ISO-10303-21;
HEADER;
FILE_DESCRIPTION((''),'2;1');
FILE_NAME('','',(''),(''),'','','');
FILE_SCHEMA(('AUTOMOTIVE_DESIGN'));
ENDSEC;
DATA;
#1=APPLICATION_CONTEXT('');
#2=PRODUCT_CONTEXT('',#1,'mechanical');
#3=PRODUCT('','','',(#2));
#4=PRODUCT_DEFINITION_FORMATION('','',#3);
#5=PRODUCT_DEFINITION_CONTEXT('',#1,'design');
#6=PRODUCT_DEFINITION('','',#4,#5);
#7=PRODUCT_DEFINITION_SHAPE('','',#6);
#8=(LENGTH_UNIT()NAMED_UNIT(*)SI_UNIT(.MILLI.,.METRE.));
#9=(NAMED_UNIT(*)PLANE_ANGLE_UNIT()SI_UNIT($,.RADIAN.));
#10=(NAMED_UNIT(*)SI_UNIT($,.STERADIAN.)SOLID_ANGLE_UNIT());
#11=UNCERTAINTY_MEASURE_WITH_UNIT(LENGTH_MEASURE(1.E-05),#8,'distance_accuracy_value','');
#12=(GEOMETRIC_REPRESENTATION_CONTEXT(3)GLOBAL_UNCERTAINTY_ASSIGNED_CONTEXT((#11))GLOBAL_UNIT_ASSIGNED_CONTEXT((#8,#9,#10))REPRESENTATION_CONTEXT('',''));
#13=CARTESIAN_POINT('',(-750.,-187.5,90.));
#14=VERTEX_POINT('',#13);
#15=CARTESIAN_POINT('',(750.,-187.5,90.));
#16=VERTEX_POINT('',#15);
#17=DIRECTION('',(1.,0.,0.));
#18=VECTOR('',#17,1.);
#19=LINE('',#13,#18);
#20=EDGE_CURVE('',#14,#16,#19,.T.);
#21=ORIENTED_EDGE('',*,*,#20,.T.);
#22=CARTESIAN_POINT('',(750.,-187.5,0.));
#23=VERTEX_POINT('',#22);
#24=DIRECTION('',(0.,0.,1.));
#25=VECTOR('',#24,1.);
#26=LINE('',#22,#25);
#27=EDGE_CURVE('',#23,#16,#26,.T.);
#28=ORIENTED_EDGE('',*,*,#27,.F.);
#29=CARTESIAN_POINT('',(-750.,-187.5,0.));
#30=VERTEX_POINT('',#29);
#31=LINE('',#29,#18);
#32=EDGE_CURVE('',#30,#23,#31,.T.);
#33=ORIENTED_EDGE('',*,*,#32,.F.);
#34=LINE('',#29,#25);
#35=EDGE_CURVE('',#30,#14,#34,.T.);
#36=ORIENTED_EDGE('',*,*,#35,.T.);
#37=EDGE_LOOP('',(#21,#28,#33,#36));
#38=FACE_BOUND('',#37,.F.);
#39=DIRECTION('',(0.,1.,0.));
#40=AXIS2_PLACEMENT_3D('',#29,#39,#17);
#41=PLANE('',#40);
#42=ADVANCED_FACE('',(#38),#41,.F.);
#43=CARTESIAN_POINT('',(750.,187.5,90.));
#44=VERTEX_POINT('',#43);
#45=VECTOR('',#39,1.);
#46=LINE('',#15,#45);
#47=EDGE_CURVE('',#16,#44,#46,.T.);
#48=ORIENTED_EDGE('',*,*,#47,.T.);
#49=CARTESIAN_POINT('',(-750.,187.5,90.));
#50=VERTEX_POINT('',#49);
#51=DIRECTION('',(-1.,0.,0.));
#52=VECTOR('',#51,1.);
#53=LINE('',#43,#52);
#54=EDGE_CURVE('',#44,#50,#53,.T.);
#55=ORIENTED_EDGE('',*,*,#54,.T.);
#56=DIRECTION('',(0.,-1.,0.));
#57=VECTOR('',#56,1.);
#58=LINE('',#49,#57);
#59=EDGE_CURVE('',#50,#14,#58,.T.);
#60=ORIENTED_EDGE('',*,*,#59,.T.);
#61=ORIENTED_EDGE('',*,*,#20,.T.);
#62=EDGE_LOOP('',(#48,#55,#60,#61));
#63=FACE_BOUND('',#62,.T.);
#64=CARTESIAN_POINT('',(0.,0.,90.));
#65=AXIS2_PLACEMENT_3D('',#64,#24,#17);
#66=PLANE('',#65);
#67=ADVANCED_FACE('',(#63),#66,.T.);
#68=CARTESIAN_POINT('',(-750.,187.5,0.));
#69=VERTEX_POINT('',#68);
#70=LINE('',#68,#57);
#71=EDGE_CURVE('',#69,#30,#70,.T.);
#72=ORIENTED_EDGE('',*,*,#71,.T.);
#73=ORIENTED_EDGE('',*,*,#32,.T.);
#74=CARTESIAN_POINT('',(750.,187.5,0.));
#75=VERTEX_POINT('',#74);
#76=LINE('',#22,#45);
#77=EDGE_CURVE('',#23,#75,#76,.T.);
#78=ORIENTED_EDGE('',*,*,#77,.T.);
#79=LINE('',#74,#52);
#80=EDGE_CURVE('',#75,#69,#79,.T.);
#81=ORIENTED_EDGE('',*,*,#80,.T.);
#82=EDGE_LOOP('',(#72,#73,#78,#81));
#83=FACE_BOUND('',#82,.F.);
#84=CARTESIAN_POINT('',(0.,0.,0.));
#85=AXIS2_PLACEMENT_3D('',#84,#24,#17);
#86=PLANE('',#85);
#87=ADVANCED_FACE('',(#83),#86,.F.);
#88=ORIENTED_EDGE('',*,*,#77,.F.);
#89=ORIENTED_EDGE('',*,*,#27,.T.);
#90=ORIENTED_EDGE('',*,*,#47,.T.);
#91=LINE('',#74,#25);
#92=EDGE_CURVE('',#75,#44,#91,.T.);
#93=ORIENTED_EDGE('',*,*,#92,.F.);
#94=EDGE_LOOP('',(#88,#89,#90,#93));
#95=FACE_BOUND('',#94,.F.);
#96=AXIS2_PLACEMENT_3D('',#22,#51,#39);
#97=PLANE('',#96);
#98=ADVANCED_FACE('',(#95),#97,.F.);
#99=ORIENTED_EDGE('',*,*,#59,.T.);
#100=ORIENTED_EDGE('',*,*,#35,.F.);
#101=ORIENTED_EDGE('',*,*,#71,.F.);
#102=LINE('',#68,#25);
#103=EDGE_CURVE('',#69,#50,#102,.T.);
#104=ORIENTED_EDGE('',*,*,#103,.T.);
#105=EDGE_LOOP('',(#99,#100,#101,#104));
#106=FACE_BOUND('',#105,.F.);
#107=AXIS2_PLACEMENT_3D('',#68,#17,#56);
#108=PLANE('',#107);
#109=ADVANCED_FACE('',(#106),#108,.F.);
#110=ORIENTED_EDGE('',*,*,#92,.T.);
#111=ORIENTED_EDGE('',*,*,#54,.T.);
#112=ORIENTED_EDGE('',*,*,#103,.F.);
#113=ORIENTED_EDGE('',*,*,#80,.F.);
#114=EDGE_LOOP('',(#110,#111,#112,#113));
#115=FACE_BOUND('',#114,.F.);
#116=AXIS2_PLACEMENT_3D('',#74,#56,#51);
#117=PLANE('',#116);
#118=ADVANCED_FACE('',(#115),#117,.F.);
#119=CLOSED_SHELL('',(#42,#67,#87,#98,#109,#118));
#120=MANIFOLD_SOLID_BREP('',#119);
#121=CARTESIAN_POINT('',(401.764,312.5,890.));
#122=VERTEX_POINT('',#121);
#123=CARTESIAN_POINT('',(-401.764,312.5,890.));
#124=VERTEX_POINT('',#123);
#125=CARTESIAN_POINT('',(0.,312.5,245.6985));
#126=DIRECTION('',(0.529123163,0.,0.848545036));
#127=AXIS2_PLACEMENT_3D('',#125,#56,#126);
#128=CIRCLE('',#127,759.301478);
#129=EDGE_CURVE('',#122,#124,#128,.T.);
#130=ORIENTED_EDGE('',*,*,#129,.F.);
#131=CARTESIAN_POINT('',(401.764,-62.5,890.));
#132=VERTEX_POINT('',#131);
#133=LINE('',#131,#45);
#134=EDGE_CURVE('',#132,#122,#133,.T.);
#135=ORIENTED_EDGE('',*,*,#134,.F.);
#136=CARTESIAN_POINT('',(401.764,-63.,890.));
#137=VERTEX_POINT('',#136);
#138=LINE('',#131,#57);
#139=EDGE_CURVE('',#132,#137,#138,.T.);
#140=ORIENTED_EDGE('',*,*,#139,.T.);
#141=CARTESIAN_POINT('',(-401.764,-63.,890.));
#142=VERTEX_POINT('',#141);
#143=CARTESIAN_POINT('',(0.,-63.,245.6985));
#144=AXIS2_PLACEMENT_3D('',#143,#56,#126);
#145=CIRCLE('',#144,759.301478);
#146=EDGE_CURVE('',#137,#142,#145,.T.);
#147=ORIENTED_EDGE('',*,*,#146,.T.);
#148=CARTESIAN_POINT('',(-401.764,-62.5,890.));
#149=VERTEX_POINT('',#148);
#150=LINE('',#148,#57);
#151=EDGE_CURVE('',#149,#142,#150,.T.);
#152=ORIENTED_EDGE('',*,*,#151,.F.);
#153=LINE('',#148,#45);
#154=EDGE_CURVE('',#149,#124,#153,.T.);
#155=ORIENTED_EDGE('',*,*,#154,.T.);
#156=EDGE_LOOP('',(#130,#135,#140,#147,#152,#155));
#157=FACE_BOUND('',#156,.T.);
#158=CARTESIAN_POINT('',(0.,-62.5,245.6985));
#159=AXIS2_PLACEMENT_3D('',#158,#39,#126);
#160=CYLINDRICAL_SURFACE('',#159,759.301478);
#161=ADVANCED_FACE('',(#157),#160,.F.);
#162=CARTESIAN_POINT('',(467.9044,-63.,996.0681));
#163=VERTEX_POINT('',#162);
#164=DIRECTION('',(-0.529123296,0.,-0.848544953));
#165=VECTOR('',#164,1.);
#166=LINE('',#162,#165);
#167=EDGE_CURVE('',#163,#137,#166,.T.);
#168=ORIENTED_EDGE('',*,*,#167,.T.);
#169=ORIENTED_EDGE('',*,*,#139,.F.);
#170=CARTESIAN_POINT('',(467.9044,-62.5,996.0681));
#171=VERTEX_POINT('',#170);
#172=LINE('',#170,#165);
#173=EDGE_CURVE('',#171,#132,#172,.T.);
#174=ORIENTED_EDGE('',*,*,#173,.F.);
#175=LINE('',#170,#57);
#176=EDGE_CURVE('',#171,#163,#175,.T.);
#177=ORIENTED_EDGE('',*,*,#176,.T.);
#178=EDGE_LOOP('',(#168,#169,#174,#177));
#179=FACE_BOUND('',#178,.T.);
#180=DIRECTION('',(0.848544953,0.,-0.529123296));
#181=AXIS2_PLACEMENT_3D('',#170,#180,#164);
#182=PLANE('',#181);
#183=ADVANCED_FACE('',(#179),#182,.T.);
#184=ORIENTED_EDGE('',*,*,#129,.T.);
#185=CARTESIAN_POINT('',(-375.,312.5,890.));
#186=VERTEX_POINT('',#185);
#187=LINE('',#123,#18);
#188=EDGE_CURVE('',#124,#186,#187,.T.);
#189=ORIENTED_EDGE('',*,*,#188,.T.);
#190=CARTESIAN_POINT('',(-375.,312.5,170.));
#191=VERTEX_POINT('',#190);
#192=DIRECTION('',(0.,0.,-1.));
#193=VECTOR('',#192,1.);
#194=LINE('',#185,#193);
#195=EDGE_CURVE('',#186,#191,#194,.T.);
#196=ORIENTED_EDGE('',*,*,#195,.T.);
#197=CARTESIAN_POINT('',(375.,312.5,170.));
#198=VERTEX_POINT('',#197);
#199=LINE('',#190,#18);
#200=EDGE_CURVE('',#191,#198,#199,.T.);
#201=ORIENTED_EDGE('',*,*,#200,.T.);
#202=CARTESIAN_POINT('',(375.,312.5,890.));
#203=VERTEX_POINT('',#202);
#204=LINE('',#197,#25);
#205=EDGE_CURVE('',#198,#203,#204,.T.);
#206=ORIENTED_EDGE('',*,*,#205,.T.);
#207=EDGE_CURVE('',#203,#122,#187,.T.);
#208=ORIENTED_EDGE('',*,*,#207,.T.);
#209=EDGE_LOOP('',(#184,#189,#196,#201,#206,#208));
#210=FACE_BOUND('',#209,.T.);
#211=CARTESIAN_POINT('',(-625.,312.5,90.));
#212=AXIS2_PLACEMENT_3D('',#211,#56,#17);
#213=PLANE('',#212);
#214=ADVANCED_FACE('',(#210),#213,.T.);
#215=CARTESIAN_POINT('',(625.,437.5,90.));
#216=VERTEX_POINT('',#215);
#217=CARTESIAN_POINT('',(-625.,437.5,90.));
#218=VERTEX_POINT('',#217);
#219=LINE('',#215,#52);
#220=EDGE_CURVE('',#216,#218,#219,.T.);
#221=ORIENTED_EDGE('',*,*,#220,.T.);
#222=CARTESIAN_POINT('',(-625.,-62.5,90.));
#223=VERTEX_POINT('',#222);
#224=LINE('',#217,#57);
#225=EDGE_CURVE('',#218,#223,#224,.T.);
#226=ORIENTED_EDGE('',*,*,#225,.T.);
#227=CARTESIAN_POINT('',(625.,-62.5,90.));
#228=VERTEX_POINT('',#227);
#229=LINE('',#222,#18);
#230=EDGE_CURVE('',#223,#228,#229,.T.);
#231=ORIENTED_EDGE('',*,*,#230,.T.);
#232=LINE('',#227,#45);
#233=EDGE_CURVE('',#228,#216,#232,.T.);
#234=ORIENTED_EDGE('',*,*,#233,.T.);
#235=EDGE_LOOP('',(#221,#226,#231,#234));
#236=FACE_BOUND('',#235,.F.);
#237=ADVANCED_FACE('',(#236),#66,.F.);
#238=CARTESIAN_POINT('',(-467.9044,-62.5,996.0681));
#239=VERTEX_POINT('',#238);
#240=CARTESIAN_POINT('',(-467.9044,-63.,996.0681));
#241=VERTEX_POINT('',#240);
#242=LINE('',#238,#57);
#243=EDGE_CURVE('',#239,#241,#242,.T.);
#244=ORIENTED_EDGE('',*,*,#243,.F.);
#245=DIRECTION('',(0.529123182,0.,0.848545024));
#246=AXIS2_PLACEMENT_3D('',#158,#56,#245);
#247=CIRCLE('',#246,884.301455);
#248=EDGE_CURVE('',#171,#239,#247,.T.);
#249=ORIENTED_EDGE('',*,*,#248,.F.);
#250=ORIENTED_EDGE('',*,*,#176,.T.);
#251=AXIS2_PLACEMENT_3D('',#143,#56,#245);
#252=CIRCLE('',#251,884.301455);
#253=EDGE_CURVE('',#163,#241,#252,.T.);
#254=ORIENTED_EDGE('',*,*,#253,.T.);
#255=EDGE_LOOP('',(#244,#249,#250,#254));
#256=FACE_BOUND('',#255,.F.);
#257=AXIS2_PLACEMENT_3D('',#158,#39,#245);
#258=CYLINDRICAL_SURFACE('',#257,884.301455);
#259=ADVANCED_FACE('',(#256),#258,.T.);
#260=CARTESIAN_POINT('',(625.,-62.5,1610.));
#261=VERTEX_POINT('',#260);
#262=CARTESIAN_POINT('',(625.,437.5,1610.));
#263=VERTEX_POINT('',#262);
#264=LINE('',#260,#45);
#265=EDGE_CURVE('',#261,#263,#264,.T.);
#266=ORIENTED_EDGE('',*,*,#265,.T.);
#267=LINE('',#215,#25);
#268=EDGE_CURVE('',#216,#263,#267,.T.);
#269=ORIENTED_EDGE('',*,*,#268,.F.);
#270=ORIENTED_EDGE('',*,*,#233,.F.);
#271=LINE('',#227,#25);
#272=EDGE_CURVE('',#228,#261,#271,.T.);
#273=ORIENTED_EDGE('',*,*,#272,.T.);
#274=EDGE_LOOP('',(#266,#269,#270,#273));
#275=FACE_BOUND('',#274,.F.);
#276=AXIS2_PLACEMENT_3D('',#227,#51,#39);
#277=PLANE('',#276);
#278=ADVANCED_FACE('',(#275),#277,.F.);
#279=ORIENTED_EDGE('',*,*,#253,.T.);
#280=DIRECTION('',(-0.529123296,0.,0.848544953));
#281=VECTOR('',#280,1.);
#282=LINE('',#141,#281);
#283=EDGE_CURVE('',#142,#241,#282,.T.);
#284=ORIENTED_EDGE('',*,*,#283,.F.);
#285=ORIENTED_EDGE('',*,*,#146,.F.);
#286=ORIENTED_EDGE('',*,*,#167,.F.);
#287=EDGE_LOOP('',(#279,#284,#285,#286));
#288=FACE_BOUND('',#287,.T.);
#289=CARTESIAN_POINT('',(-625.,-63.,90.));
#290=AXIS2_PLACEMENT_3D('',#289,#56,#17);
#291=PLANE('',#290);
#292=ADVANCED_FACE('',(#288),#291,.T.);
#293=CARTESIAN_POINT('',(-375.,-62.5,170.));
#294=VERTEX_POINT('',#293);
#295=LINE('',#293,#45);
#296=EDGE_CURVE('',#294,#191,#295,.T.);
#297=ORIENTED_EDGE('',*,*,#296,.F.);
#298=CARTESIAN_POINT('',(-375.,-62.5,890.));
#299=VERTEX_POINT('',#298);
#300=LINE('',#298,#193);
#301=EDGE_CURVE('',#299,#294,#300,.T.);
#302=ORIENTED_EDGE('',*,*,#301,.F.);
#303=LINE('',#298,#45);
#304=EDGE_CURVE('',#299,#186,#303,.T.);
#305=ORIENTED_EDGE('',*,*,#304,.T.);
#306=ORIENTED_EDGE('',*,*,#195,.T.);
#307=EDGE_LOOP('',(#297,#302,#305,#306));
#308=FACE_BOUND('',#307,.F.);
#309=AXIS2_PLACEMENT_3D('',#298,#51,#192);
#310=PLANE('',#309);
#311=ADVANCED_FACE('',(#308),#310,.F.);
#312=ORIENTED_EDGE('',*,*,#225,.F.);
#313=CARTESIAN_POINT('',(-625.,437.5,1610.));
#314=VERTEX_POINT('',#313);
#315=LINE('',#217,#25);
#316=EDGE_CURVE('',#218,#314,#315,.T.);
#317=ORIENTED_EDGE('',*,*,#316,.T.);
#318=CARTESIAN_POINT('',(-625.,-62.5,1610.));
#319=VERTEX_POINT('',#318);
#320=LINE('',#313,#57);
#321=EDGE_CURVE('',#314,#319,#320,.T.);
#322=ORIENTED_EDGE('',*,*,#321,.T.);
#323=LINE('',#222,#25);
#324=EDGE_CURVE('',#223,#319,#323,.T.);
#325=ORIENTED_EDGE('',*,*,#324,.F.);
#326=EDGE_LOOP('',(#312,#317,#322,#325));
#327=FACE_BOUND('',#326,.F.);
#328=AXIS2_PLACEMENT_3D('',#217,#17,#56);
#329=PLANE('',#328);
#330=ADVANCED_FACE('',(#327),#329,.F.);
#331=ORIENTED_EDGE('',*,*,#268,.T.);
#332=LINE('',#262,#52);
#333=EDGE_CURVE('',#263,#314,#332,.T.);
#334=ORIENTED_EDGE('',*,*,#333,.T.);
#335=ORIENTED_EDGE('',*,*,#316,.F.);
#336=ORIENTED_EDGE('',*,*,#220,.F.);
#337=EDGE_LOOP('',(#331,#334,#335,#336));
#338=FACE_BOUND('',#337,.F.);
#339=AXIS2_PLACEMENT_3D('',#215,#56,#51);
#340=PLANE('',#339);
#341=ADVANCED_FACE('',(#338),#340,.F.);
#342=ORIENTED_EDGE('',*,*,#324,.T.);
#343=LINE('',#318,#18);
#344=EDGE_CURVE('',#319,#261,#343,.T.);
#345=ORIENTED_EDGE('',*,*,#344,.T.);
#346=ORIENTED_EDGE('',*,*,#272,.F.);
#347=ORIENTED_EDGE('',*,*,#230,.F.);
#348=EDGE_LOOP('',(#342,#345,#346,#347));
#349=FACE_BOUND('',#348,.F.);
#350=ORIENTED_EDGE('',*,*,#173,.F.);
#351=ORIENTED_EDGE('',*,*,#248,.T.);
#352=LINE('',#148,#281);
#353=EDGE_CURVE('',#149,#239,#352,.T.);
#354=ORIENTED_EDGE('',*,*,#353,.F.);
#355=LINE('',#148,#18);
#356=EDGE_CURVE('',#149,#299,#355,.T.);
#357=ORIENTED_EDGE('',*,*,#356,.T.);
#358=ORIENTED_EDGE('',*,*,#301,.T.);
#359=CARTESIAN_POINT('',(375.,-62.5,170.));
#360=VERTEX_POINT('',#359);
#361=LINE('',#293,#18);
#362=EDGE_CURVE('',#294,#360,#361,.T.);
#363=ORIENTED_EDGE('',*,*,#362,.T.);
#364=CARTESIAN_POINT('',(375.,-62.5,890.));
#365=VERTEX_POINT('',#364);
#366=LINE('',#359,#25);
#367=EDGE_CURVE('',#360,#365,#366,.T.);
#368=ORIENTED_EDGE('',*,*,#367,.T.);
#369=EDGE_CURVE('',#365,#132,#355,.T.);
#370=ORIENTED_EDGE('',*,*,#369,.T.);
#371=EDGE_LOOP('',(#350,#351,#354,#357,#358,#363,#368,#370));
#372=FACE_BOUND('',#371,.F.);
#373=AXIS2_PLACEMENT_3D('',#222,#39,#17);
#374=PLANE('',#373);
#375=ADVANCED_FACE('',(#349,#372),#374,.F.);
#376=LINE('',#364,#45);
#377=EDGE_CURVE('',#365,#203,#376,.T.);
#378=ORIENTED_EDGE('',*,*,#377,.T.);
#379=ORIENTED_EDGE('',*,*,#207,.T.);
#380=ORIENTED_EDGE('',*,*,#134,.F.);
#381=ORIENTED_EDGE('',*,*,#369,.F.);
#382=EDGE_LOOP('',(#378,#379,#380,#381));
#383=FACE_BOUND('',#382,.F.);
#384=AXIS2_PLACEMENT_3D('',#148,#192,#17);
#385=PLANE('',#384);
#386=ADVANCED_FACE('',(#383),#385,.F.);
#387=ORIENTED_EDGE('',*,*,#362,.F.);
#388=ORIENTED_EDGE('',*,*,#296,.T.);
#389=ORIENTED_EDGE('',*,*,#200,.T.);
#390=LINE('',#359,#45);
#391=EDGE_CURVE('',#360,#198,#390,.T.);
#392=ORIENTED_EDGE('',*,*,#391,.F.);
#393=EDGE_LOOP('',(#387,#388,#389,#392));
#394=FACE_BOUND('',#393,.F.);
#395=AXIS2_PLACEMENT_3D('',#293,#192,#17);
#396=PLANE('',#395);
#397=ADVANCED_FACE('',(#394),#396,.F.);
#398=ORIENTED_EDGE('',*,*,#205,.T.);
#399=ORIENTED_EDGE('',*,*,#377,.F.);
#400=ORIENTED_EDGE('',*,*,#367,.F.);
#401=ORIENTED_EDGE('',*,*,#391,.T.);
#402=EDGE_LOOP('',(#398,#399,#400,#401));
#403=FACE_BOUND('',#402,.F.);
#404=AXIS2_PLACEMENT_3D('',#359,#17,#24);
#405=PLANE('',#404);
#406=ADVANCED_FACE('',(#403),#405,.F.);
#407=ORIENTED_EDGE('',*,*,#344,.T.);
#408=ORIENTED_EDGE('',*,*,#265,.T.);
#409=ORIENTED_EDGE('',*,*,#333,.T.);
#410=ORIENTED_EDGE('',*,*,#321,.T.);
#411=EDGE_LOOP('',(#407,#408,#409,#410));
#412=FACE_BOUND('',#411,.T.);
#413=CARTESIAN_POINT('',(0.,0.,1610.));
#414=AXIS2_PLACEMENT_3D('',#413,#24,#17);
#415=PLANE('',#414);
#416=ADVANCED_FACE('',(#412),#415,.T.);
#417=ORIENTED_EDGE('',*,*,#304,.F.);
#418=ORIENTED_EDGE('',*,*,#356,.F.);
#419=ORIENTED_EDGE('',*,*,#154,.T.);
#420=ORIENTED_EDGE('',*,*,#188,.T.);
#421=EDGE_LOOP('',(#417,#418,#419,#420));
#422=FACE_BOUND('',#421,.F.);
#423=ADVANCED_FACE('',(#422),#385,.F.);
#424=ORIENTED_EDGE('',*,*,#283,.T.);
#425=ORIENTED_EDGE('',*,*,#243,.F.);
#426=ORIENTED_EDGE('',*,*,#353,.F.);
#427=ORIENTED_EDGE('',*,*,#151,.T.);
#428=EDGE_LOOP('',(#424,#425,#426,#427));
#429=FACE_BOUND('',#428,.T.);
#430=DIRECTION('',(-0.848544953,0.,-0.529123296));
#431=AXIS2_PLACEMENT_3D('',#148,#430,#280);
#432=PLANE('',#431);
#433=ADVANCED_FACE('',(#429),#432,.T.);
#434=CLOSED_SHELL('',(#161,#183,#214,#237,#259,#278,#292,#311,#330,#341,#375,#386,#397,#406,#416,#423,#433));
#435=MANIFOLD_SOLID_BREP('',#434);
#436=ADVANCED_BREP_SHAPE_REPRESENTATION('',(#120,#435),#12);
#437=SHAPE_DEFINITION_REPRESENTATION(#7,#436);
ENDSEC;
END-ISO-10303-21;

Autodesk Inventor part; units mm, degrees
ref_plane "YZ Plane" through (0, 0, 0) normal (1, 0, 0) x (0, 1, 0)
ref_plane "XZ Plane" through (0, 0, 0) normal (0, 1, 0) x (-1, 0, 0)
ref_plane "XY Plane" through (0, 0, 0) normal (0, 0, 1) x (1, 0, 0)
sketch "Эскиз1" plane through (0, 0, 0) normal (0, 0, 1) x (1, 0, 0)
  line L0 (-750, -187.5) -> (750, -187.5)
  line L1 (750, -187.5) -> (750, 187.5)
  line L2 (750, 187.5) -> (-750, 187.5)
  line L3 (-750, 187.5) -> (-750, -187.5)
  line L4 (-750, -187.5) -> (750, 187.5) construction
  line L5 (750, -187.5) -> (-750, 187.5) construction
  point P0 (0, 0)
  dimension "d0" = 1500
  dimension "d1" = 375
extrude "Выдавливание1" add sketch "Эскиз1" along normal blind 90
sketch "Эскиз2" plane through (0, 0, 90) normal (0, 0, 1) x (1, 0, 0)
  line L0 (-750, -187.5) -> (750, -187.5) construction
  line L1 (750, -187.5) -> (750, 187.5) construction
  line L2 (750, 187.5) -> (-750, 187.5) construction
  line L3 (-750, 187.5) -> (-750, -187.5) construction
  line L4 (-625, -62.5) -> (625, -62.5)
  line L5 (625, -62.5) -> (625, 437.5)
  line L6 (625, 437.5) -> (-625, 437.5)
  line L7 (-625, 437.5) -> (-625, -62.5)
  point P0 (0, 0)
  dimension "d4" = 1250
  dimension "d5" = 500
  dimension "d6" = 125
  dimension "d7" = 125
  dimension "d8" = 125
extrude "Выдавливание2" add sketch "Эскиз2" along normal blind 1520 separate body
sketch "Эскиз3" plane through (-625, -62.5, 90) normal (0, -1, 0) x (1, 0, 0)
  line L0 (0, 0) -> (1250, 0) construction
  line L1 (1250, 0) -> (1250, 1520) construction
  line L2 (0, 1520) -> (1250, 1520) construction
  line L3 (0, 0) -> (0, 1520) construction
  line L4 (250, 80) -> (1000, 80)
  line L5 (1000, 80) -> (1000, 800)
  line L6 (1000, 800) -> (250, 800)
  line L7 (250, 800) -> (250, 80)
  point P0 (625, -90)
  dimension "d11" = 720
  dimension "d12" = 250
  dimension "d13" = 250
  dimension "d14" = 80
extrude "Выдавливание3" cut sketch "Эскиз3" against normal blind 375 bodies 2
sketch "Эскиз4" plane through (-625, -62.5, 90) normal (0, -1, 0) x (1, 0, 0)
  line L0 (1000, 800) -> (1000, 80) construction
  line L1 (1000, 80) -> (250, 80) construction
  line L2 (250, 80) -> (250, 800) construction
  line L3 (250, 800) -> (1000, 800) construction
  line L4 (0, 0) -> (1250, 0) construction
  line L5 (1250, 0) -> (1250, 1520) construction
  line L6 (0, 1520) -> (1250, 1520) construction
  line L7 (0, 0) -> (0, 1520) construction
  line L8 (223.236, 800) -> (1026.764, 800)
  line L9 (1026.764, 800) -> (1026.764, 1040) construction
  line L10 (1026.764, 1040) -> (223.236, 1040) construction
  line L11 (223.236, 1040) -> (223.236, 800) construction
  arc A0 (1092.9044, 906.0681) -> (157.0956, 906.0681) centre (625, 155.6985) ccw
  line L12 (223.236, 800) -> (157.0956, 906.0681)
  line L13 (1092.9044, 906.0681) -> (1026.764, 800)
  arc A1 (1026.764, 800) -> (223.236, 800) centre (625, 155.6985) ccw
  point P0 (625, -90)
  point P1 (625, 1040)
  dimension "d17" = 240
  dimension "d18" = 26.764
  dimension "d19" = 26.764
  dimension "d20" = 125
extrude "Выдавливание4" cut sketch "Эскиз4" against normal blind 375 contours A1 L8 bodies 2
extrude "Выдавливание5" add sketch "Эскиз4" along normal blind 0.5 contours L12 A0 L13 A1 bodies 2
equation "\"d6\" = d7"
equation "\"d8\" = d7"
equation "\"d13\" = d12"
equation "\"d19\" = d18"
properties part number "Камин" material "Кирпич, обычный, коричневый"
